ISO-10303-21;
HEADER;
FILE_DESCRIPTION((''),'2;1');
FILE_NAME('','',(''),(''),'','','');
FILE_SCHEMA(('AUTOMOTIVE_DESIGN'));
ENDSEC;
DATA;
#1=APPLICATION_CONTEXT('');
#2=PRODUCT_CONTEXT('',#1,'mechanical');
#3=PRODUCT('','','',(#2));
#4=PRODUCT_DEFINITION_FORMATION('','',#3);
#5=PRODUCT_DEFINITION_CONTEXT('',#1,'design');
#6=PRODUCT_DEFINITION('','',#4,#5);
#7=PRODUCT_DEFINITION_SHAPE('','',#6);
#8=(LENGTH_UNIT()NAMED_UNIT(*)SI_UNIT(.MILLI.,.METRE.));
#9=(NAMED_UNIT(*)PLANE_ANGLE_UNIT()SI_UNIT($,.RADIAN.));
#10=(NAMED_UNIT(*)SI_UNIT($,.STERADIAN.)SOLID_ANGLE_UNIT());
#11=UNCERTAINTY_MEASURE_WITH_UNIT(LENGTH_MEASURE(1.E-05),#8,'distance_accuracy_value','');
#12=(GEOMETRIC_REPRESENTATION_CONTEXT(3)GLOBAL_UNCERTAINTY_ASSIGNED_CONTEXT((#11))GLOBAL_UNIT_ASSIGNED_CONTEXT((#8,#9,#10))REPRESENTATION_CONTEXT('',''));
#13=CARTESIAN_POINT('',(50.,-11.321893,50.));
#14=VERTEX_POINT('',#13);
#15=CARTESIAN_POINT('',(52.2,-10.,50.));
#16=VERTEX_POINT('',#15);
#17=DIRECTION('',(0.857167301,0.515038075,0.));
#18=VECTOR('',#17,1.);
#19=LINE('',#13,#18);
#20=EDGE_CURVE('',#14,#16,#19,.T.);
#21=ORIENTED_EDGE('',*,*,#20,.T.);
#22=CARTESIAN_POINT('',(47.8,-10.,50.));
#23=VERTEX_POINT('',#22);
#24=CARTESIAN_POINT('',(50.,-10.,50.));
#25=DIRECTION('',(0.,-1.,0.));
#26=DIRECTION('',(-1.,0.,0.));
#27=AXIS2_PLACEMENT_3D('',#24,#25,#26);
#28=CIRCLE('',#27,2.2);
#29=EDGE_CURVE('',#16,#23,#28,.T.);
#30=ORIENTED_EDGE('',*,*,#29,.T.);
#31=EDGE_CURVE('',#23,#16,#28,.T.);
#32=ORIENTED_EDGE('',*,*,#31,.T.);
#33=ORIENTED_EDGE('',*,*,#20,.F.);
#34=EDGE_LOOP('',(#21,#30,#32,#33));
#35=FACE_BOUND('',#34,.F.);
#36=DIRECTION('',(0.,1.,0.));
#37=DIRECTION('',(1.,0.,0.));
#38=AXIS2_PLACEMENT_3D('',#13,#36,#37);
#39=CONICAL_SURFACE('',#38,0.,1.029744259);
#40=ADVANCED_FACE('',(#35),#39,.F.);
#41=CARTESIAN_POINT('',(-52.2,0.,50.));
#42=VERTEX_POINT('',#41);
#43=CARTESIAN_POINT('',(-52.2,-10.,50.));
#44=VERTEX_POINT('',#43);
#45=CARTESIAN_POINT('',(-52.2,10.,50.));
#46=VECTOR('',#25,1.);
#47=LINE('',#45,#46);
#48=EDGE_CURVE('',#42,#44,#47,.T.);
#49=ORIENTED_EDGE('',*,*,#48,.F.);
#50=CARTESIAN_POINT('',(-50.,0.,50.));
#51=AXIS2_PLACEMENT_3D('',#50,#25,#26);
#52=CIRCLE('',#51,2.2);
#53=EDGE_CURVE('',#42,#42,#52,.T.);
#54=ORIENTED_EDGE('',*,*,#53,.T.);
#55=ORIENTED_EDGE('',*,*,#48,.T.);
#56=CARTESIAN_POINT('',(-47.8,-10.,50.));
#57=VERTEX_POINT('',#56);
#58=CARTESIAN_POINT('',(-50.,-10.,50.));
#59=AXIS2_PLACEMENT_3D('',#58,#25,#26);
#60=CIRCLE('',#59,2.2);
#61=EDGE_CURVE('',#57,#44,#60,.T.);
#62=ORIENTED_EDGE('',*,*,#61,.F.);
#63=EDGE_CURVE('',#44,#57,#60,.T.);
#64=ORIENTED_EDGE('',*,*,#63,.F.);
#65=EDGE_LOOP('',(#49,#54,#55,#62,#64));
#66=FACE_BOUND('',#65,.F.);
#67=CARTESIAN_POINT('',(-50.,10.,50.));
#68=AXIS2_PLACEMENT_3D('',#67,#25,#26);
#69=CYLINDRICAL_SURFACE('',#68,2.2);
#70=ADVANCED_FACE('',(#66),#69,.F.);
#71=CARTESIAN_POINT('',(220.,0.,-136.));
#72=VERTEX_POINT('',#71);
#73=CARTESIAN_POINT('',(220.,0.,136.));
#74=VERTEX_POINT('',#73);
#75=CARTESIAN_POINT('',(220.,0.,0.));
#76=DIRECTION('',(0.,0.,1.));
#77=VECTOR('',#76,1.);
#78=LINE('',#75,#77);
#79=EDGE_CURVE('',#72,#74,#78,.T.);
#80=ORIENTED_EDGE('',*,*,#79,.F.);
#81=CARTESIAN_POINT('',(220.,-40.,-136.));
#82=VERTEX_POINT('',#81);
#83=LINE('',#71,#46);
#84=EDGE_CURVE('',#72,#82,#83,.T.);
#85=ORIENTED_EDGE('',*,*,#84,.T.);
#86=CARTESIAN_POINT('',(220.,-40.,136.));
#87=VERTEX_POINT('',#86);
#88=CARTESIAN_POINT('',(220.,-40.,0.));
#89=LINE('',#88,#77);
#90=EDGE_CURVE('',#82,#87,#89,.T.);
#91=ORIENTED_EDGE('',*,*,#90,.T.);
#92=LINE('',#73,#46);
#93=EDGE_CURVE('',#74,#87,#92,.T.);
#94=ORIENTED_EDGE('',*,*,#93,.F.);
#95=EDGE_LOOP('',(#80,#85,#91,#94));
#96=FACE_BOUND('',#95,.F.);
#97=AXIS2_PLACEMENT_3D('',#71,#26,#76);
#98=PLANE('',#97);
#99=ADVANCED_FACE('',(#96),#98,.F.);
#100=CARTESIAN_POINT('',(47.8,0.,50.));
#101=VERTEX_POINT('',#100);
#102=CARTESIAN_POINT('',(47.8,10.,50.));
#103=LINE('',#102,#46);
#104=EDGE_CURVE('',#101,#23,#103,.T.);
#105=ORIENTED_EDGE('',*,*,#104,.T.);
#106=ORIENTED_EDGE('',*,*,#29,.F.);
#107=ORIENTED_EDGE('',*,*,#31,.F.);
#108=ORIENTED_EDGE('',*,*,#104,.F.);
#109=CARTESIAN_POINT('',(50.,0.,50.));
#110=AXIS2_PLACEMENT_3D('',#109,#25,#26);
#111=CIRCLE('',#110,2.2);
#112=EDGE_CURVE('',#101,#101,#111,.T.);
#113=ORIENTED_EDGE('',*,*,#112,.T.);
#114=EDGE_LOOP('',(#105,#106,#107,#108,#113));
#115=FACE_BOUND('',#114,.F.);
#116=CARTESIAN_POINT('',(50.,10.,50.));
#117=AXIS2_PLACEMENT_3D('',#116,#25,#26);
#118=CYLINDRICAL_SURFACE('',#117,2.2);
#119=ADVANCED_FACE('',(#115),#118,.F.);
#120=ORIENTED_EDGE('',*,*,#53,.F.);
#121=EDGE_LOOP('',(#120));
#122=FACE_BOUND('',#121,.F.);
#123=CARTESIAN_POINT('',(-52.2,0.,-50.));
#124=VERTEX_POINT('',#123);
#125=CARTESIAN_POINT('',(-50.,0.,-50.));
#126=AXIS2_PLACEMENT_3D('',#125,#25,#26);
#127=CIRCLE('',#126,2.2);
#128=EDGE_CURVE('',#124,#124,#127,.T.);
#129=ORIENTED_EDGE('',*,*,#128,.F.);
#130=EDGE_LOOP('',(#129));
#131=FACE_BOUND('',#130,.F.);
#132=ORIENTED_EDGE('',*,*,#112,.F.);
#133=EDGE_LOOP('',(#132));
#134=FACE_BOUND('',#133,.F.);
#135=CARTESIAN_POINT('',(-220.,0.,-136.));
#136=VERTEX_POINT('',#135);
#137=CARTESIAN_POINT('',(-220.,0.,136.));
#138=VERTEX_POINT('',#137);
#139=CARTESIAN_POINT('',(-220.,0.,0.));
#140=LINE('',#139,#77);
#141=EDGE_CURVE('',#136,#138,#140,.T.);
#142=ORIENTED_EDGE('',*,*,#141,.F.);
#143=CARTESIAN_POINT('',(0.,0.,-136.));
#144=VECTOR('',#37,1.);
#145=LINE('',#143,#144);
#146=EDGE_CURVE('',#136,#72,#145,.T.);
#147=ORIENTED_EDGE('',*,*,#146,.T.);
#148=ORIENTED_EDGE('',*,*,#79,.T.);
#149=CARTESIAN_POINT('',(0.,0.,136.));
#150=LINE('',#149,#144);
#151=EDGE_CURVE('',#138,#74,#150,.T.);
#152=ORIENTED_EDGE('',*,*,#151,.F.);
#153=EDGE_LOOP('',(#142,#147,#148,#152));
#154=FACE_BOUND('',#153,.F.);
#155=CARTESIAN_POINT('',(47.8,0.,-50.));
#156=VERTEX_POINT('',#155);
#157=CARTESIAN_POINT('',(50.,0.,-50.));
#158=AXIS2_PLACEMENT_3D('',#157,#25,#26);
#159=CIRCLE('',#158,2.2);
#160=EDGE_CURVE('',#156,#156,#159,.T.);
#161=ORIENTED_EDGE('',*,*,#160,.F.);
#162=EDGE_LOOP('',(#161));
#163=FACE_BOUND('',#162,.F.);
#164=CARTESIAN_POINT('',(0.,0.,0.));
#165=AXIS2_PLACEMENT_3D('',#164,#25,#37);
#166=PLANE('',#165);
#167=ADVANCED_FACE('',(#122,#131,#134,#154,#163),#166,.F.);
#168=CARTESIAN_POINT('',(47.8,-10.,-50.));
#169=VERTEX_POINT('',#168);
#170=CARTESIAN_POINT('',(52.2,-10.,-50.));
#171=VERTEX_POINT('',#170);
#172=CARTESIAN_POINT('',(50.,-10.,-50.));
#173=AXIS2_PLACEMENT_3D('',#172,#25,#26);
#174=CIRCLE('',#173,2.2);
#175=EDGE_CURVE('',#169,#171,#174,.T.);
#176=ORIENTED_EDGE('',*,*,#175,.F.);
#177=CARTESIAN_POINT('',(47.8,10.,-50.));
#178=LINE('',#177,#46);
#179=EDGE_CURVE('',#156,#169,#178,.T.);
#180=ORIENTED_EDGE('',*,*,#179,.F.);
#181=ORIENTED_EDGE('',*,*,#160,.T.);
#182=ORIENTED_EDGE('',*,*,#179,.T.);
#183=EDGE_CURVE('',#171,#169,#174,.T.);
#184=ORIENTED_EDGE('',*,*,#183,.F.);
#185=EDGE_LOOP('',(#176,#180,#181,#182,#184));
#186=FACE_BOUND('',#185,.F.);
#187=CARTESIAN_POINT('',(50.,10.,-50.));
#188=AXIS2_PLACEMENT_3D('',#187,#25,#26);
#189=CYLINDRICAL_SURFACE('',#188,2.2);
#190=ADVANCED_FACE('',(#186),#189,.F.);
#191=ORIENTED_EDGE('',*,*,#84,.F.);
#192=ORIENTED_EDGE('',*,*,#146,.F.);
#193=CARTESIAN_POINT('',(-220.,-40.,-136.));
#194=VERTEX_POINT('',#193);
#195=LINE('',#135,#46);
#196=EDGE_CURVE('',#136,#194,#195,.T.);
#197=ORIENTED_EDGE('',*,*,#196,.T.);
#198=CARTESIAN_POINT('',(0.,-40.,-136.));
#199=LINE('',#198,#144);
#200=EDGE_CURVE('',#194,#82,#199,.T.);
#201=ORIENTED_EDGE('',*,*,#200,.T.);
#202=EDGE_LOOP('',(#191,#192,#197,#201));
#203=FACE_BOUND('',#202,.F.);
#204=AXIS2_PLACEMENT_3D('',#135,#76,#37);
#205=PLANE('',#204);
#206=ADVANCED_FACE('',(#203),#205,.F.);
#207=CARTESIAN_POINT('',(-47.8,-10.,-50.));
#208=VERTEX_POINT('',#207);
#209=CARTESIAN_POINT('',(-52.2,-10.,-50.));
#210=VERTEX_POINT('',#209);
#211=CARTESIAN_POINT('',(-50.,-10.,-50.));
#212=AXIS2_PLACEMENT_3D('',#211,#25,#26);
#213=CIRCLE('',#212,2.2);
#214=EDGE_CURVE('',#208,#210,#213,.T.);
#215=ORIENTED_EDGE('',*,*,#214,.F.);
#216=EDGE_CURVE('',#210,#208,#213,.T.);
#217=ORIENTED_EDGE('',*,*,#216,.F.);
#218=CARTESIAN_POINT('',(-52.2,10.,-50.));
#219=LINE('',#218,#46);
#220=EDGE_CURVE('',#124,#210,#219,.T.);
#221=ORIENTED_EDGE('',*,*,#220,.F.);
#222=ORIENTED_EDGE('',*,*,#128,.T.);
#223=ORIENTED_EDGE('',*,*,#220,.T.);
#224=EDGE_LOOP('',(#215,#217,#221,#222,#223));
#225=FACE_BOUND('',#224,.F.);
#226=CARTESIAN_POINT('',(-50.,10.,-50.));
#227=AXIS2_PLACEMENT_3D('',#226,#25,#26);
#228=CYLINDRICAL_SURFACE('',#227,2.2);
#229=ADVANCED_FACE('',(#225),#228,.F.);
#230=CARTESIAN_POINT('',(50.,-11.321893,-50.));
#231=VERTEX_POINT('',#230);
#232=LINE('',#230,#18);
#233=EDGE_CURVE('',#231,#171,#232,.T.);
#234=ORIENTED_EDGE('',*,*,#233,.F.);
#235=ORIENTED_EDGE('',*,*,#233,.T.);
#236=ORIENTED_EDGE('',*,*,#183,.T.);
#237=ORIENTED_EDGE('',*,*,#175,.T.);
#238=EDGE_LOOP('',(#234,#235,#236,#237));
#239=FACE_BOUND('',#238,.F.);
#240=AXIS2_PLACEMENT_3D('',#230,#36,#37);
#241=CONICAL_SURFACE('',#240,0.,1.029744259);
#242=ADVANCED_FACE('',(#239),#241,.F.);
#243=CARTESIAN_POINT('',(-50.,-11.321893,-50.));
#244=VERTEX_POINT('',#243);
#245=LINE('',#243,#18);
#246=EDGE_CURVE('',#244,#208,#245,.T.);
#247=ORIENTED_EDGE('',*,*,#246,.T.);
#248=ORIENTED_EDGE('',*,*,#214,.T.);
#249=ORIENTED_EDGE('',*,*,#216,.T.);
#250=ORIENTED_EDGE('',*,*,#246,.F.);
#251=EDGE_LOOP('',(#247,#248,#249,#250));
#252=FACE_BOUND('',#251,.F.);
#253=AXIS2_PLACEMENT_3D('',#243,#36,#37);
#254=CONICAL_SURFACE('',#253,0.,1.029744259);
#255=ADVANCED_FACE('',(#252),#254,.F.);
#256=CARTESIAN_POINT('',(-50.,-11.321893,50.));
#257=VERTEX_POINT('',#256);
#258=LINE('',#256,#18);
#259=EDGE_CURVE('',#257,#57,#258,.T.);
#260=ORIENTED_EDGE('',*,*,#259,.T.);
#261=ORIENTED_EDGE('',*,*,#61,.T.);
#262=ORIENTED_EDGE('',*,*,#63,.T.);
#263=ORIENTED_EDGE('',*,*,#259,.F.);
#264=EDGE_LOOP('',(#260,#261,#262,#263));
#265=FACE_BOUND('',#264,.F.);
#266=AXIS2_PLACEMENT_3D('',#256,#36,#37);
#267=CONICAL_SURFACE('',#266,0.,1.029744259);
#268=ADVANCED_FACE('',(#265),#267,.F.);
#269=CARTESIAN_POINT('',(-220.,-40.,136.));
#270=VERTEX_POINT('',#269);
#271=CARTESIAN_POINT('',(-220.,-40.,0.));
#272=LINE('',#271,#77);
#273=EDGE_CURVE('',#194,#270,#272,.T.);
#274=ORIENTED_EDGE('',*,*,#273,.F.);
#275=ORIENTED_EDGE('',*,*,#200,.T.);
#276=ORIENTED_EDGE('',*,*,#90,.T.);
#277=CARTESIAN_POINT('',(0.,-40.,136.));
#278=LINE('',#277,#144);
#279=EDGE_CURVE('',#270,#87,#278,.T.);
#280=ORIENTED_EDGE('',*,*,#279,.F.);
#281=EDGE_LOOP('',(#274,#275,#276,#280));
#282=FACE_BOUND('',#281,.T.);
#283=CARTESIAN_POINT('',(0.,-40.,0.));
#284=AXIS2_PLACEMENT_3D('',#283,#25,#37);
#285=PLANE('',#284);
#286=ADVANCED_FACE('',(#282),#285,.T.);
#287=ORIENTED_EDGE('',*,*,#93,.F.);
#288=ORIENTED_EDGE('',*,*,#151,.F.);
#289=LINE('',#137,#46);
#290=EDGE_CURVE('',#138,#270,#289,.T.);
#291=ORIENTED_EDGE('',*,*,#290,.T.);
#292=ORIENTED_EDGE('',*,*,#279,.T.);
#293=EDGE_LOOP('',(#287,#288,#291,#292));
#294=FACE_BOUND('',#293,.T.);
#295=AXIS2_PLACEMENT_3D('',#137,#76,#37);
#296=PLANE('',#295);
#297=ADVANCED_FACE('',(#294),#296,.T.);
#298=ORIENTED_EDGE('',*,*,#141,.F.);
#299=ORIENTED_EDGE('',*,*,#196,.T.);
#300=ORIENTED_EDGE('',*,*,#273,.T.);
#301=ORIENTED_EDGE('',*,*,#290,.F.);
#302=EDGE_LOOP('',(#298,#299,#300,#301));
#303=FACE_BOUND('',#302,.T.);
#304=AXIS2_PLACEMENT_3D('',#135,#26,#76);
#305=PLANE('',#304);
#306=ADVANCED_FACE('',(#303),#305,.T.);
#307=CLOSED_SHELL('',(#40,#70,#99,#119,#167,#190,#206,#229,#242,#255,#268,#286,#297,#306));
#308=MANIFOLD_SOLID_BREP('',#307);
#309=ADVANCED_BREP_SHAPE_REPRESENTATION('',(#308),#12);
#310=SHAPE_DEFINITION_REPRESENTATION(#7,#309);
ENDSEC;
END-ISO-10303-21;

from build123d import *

# Parameters (mm, degrees)
F0_W     = 440
F0_H     = 272
F1_DEPTH = 40
F2_D     = 4.4
F2_DEPTH = 10
F2_TIP   = 1.3218933619


with BuildPart() as f1:
    # F0 (on Front) → F1 (new body)
    with BuildSketch(Plane.XZ):
        Rectangle(F0_W, F0_H)
    extrude(amount=F1_DEPTH)

    # F2
    with Locations(Plane(origin=(0, 0, 0), x_dir=(1, 0, 0), z_dir=(0, 1, 0))):
        with Locations((50, -50), (-50, -50), (-50, 50), (50, 50)):
            Hole(F2_D / 2, depth=F2_DEPTH)
            with Locations((0, 0, -(F2_DEPTH + F2_TIP / 2))):  # 118° drill point
                Cone(0, F2_D / 2, F2_TIP, mode=Mode.SUBTRACT)


solid = f1.part
